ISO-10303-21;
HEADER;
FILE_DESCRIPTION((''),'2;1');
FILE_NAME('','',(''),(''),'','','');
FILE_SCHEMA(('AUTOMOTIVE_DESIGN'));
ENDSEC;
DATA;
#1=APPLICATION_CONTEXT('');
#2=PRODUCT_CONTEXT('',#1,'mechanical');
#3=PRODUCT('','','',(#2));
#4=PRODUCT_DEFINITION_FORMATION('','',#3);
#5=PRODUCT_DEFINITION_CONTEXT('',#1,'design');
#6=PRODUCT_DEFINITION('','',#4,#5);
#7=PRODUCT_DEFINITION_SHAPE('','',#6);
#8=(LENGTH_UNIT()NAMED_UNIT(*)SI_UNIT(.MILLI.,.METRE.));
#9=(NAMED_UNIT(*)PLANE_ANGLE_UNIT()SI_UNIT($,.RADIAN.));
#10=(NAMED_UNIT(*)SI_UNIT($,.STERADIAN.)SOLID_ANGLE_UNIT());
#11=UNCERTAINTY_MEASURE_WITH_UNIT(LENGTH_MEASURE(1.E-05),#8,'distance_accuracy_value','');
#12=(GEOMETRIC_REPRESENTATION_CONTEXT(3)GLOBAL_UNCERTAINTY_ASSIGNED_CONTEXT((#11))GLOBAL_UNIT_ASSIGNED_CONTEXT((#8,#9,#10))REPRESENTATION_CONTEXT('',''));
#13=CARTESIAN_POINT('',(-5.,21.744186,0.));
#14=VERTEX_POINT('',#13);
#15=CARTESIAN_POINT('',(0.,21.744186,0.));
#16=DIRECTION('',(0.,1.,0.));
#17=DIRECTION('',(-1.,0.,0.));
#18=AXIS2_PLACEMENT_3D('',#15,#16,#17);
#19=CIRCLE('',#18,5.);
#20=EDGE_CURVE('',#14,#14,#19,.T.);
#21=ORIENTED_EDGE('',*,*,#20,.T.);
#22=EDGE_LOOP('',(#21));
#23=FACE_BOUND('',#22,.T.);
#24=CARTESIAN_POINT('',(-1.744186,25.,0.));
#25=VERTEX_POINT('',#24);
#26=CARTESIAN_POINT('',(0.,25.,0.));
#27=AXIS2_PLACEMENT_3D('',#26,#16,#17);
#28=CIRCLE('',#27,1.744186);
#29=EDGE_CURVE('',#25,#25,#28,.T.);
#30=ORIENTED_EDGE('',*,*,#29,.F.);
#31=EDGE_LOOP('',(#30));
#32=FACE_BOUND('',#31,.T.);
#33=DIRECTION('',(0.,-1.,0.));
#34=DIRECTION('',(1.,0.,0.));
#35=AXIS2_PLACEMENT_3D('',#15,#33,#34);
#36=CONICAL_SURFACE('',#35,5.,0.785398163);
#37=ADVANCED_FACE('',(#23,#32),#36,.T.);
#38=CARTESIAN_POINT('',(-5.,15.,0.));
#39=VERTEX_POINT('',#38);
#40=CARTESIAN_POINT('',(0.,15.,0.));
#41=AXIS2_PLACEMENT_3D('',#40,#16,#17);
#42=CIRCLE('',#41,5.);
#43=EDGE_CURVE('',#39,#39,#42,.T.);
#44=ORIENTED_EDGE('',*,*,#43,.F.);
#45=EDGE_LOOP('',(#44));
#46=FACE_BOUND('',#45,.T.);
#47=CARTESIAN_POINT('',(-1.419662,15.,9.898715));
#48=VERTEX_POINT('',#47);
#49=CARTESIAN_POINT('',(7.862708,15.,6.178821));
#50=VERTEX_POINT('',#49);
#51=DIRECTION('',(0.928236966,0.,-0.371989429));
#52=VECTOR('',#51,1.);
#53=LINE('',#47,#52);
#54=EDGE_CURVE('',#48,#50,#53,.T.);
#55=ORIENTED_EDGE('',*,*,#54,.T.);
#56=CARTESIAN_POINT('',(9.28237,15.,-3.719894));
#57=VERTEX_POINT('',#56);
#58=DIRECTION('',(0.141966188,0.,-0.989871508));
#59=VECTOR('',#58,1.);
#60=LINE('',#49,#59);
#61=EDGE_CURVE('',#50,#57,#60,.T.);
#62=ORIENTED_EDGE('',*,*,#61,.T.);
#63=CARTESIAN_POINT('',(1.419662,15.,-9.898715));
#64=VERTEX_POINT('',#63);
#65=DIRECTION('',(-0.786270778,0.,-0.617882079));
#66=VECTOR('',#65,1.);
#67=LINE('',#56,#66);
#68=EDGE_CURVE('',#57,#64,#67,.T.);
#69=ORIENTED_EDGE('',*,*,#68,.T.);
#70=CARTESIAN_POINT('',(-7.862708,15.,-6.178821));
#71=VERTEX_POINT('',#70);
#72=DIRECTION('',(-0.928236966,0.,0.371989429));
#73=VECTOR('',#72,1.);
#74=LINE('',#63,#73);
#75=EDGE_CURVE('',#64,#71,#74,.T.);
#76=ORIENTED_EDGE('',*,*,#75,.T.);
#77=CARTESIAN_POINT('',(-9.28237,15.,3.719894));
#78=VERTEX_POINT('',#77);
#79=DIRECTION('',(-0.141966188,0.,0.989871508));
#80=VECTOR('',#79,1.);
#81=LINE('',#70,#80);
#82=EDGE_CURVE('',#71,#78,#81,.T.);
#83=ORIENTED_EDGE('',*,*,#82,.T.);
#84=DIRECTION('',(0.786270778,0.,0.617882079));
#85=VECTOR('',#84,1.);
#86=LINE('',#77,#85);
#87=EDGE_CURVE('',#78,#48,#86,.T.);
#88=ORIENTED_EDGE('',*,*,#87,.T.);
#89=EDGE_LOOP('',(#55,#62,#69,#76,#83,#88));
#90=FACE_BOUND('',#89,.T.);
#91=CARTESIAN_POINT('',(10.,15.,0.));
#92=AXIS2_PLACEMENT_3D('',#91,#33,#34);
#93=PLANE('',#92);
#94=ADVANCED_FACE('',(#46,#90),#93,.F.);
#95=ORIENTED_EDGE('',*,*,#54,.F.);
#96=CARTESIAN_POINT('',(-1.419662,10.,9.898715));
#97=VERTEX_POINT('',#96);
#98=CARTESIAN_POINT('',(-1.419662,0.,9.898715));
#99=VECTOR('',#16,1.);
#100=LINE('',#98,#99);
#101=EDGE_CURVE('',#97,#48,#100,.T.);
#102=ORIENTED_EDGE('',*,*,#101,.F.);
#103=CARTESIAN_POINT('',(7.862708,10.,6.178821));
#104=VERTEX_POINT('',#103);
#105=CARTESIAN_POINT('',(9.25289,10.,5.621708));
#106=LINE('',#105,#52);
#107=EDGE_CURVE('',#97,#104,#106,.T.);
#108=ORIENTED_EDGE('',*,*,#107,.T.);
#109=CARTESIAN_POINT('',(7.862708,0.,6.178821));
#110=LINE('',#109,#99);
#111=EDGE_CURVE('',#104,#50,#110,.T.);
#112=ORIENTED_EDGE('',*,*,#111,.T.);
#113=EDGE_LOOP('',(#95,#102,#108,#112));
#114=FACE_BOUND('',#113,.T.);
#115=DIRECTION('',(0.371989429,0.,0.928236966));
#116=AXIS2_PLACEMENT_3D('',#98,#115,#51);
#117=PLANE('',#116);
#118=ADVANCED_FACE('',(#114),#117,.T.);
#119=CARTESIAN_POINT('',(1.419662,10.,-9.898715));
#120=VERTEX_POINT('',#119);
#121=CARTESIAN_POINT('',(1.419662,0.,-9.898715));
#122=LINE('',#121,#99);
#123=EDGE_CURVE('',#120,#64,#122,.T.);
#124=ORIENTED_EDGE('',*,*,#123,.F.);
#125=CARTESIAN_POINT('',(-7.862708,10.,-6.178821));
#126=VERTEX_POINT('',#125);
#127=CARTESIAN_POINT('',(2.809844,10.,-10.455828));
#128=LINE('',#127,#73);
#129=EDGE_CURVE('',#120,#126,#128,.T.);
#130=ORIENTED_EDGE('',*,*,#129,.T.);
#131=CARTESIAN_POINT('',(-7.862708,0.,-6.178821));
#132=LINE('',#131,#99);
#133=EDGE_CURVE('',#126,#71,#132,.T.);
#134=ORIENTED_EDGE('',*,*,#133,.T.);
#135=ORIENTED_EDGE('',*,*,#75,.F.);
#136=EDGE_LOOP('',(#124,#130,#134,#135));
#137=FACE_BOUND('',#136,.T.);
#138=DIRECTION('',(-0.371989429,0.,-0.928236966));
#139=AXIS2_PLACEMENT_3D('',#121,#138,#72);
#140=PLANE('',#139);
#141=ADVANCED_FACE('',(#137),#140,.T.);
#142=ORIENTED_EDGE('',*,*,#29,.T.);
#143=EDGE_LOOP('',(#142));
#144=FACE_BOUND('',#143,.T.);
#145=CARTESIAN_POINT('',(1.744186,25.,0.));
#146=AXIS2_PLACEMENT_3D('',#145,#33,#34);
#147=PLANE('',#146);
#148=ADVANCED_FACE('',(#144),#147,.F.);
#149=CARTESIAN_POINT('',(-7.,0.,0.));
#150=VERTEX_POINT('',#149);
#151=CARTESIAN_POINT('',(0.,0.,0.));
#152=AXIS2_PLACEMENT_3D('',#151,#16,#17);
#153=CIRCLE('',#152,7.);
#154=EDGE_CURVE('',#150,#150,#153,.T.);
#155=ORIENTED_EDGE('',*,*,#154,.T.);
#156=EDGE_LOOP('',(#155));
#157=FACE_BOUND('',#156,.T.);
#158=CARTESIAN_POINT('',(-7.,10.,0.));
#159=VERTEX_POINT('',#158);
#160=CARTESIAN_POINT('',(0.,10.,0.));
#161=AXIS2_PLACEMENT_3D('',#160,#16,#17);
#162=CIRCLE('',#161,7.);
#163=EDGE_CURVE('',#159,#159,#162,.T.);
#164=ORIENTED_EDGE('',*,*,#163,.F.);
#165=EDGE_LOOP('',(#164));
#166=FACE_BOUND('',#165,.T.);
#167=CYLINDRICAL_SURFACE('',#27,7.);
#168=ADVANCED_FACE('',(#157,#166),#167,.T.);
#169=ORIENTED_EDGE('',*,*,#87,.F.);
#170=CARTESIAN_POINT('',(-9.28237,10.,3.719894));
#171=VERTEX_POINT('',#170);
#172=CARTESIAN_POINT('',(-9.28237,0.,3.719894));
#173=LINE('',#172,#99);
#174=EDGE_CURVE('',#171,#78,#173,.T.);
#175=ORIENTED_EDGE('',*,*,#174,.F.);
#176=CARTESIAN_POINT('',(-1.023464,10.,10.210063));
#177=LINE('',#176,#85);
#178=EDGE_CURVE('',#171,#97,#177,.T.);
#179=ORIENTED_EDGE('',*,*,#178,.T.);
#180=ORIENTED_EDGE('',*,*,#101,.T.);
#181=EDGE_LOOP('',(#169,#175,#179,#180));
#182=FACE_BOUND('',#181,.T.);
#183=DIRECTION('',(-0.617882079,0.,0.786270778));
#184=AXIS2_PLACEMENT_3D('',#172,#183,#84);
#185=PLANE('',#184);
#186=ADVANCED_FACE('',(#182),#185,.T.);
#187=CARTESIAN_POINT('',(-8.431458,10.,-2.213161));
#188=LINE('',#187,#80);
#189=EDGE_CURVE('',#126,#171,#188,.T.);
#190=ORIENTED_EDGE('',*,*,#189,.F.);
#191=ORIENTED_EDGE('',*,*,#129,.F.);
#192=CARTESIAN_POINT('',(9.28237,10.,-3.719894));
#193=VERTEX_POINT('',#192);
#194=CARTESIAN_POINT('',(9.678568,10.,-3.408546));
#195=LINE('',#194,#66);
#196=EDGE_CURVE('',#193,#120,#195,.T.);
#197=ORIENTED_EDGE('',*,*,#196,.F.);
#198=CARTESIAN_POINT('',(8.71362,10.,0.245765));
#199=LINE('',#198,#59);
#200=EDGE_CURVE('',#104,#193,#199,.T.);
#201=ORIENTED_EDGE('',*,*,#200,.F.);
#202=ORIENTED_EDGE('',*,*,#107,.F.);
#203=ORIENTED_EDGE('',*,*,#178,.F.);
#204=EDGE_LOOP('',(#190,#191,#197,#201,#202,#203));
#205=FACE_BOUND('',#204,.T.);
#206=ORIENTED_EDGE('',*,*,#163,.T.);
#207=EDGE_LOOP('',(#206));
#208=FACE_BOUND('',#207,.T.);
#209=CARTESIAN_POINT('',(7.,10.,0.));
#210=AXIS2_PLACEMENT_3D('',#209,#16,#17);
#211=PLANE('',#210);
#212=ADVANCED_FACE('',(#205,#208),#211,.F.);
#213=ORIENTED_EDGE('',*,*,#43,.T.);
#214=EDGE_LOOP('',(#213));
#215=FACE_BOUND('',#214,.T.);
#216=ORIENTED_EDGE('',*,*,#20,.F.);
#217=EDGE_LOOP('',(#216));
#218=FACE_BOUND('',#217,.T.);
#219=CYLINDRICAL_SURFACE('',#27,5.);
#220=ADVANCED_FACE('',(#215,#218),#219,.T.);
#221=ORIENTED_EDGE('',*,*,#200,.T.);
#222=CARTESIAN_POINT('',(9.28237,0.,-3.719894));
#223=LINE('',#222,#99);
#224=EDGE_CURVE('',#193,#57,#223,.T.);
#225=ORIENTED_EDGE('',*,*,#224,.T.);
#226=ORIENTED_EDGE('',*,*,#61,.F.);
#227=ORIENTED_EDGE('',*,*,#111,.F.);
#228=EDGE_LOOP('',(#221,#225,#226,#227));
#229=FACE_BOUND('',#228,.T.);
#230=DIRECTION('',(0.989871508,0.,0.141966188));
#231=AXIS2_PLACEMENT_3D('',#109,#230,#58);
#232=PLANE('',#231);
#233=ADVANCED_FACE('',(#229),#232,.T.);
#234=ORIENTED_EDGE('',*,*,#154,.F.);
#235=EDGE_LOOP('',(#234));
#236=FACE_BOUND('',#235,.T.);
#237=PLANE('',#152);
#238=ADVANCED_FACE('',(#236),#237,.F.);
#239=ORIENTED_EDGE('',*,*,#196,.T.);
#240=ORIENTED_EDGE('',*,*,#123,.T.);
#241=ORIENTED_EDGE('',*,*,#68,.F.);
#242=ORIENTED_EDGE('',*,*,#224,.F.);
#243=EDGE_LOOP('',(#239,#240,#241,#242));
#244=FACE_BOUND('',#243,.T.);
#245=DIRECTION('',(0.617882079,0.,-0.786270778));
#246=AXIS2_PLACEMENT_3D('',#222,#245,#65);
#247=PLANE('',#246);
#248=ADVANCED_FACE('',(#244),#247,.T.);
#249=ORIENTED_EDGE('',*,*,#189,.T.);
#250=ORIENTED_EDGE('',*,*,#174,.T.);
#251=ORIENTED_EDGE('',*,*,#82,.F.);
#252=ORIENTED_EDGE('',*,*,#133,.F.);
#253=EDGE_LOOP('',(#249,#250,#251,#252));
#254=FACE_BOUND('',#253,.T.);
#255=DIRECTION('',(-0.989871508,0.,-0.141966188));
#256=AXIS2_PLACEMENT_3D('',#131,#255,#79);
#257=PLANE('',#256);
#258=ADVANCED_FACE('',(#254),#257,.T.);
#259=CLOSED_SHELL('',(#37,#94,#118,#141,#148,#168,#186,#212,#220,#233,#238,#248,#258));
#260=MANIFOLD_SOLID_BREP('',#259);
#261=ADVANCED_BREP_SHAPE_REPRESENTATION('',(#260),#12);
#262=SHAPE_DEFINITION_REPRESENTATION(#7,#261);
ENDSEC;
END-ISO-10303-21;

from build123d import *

# Parameters (mm, degrees)
SKETCH_2_OUTSIDE_W  = 29.55
SKETCH_2_OUTSIDE_H  = 29.55
CUT_EXTRUDE_1_DEPTH = 16


with BuildPart() as part:
    # Эскиз1 → Повернуть1 (revolve)
    with BuildSketch(Plane.XY):
        Polygon((0, 0), (7, 0), (7, 10), (10, 10), (10, 15), (5, 15), (5, 21.744186047), (1.744186047, 25), (0, 25), align=None)
    revolve(axis=Axis((0, 25, 0), (0, -1, 0)))

    # Эскиз2 outside → Вырез-Вытянуть1 (cut, through all)
    with BuildSketch(Plane(origin=(0, 15, 0), x_dir=(1, 0, 0), z_dir=(0, 1, 0))):
        Rectangle(SKETCH_2_OUTSIDE_W, SKETCH_2_OUTSIDE_H)
        Polygon((7.862707781, -6.178820789), (9.282369659, 3.719894287), (1.419661878, 9.898715076), (-7.862707781, 6.178820789), (-9.282369659, -3.719894287), (-1.419661878, -9.898715076), align=None, mode=Mode.SUBTRACT)
    extrude(amount=-CUT_EXTRUDE_1_DEPTH, mode=Mode.SUBTRACT)


solid = part.part
